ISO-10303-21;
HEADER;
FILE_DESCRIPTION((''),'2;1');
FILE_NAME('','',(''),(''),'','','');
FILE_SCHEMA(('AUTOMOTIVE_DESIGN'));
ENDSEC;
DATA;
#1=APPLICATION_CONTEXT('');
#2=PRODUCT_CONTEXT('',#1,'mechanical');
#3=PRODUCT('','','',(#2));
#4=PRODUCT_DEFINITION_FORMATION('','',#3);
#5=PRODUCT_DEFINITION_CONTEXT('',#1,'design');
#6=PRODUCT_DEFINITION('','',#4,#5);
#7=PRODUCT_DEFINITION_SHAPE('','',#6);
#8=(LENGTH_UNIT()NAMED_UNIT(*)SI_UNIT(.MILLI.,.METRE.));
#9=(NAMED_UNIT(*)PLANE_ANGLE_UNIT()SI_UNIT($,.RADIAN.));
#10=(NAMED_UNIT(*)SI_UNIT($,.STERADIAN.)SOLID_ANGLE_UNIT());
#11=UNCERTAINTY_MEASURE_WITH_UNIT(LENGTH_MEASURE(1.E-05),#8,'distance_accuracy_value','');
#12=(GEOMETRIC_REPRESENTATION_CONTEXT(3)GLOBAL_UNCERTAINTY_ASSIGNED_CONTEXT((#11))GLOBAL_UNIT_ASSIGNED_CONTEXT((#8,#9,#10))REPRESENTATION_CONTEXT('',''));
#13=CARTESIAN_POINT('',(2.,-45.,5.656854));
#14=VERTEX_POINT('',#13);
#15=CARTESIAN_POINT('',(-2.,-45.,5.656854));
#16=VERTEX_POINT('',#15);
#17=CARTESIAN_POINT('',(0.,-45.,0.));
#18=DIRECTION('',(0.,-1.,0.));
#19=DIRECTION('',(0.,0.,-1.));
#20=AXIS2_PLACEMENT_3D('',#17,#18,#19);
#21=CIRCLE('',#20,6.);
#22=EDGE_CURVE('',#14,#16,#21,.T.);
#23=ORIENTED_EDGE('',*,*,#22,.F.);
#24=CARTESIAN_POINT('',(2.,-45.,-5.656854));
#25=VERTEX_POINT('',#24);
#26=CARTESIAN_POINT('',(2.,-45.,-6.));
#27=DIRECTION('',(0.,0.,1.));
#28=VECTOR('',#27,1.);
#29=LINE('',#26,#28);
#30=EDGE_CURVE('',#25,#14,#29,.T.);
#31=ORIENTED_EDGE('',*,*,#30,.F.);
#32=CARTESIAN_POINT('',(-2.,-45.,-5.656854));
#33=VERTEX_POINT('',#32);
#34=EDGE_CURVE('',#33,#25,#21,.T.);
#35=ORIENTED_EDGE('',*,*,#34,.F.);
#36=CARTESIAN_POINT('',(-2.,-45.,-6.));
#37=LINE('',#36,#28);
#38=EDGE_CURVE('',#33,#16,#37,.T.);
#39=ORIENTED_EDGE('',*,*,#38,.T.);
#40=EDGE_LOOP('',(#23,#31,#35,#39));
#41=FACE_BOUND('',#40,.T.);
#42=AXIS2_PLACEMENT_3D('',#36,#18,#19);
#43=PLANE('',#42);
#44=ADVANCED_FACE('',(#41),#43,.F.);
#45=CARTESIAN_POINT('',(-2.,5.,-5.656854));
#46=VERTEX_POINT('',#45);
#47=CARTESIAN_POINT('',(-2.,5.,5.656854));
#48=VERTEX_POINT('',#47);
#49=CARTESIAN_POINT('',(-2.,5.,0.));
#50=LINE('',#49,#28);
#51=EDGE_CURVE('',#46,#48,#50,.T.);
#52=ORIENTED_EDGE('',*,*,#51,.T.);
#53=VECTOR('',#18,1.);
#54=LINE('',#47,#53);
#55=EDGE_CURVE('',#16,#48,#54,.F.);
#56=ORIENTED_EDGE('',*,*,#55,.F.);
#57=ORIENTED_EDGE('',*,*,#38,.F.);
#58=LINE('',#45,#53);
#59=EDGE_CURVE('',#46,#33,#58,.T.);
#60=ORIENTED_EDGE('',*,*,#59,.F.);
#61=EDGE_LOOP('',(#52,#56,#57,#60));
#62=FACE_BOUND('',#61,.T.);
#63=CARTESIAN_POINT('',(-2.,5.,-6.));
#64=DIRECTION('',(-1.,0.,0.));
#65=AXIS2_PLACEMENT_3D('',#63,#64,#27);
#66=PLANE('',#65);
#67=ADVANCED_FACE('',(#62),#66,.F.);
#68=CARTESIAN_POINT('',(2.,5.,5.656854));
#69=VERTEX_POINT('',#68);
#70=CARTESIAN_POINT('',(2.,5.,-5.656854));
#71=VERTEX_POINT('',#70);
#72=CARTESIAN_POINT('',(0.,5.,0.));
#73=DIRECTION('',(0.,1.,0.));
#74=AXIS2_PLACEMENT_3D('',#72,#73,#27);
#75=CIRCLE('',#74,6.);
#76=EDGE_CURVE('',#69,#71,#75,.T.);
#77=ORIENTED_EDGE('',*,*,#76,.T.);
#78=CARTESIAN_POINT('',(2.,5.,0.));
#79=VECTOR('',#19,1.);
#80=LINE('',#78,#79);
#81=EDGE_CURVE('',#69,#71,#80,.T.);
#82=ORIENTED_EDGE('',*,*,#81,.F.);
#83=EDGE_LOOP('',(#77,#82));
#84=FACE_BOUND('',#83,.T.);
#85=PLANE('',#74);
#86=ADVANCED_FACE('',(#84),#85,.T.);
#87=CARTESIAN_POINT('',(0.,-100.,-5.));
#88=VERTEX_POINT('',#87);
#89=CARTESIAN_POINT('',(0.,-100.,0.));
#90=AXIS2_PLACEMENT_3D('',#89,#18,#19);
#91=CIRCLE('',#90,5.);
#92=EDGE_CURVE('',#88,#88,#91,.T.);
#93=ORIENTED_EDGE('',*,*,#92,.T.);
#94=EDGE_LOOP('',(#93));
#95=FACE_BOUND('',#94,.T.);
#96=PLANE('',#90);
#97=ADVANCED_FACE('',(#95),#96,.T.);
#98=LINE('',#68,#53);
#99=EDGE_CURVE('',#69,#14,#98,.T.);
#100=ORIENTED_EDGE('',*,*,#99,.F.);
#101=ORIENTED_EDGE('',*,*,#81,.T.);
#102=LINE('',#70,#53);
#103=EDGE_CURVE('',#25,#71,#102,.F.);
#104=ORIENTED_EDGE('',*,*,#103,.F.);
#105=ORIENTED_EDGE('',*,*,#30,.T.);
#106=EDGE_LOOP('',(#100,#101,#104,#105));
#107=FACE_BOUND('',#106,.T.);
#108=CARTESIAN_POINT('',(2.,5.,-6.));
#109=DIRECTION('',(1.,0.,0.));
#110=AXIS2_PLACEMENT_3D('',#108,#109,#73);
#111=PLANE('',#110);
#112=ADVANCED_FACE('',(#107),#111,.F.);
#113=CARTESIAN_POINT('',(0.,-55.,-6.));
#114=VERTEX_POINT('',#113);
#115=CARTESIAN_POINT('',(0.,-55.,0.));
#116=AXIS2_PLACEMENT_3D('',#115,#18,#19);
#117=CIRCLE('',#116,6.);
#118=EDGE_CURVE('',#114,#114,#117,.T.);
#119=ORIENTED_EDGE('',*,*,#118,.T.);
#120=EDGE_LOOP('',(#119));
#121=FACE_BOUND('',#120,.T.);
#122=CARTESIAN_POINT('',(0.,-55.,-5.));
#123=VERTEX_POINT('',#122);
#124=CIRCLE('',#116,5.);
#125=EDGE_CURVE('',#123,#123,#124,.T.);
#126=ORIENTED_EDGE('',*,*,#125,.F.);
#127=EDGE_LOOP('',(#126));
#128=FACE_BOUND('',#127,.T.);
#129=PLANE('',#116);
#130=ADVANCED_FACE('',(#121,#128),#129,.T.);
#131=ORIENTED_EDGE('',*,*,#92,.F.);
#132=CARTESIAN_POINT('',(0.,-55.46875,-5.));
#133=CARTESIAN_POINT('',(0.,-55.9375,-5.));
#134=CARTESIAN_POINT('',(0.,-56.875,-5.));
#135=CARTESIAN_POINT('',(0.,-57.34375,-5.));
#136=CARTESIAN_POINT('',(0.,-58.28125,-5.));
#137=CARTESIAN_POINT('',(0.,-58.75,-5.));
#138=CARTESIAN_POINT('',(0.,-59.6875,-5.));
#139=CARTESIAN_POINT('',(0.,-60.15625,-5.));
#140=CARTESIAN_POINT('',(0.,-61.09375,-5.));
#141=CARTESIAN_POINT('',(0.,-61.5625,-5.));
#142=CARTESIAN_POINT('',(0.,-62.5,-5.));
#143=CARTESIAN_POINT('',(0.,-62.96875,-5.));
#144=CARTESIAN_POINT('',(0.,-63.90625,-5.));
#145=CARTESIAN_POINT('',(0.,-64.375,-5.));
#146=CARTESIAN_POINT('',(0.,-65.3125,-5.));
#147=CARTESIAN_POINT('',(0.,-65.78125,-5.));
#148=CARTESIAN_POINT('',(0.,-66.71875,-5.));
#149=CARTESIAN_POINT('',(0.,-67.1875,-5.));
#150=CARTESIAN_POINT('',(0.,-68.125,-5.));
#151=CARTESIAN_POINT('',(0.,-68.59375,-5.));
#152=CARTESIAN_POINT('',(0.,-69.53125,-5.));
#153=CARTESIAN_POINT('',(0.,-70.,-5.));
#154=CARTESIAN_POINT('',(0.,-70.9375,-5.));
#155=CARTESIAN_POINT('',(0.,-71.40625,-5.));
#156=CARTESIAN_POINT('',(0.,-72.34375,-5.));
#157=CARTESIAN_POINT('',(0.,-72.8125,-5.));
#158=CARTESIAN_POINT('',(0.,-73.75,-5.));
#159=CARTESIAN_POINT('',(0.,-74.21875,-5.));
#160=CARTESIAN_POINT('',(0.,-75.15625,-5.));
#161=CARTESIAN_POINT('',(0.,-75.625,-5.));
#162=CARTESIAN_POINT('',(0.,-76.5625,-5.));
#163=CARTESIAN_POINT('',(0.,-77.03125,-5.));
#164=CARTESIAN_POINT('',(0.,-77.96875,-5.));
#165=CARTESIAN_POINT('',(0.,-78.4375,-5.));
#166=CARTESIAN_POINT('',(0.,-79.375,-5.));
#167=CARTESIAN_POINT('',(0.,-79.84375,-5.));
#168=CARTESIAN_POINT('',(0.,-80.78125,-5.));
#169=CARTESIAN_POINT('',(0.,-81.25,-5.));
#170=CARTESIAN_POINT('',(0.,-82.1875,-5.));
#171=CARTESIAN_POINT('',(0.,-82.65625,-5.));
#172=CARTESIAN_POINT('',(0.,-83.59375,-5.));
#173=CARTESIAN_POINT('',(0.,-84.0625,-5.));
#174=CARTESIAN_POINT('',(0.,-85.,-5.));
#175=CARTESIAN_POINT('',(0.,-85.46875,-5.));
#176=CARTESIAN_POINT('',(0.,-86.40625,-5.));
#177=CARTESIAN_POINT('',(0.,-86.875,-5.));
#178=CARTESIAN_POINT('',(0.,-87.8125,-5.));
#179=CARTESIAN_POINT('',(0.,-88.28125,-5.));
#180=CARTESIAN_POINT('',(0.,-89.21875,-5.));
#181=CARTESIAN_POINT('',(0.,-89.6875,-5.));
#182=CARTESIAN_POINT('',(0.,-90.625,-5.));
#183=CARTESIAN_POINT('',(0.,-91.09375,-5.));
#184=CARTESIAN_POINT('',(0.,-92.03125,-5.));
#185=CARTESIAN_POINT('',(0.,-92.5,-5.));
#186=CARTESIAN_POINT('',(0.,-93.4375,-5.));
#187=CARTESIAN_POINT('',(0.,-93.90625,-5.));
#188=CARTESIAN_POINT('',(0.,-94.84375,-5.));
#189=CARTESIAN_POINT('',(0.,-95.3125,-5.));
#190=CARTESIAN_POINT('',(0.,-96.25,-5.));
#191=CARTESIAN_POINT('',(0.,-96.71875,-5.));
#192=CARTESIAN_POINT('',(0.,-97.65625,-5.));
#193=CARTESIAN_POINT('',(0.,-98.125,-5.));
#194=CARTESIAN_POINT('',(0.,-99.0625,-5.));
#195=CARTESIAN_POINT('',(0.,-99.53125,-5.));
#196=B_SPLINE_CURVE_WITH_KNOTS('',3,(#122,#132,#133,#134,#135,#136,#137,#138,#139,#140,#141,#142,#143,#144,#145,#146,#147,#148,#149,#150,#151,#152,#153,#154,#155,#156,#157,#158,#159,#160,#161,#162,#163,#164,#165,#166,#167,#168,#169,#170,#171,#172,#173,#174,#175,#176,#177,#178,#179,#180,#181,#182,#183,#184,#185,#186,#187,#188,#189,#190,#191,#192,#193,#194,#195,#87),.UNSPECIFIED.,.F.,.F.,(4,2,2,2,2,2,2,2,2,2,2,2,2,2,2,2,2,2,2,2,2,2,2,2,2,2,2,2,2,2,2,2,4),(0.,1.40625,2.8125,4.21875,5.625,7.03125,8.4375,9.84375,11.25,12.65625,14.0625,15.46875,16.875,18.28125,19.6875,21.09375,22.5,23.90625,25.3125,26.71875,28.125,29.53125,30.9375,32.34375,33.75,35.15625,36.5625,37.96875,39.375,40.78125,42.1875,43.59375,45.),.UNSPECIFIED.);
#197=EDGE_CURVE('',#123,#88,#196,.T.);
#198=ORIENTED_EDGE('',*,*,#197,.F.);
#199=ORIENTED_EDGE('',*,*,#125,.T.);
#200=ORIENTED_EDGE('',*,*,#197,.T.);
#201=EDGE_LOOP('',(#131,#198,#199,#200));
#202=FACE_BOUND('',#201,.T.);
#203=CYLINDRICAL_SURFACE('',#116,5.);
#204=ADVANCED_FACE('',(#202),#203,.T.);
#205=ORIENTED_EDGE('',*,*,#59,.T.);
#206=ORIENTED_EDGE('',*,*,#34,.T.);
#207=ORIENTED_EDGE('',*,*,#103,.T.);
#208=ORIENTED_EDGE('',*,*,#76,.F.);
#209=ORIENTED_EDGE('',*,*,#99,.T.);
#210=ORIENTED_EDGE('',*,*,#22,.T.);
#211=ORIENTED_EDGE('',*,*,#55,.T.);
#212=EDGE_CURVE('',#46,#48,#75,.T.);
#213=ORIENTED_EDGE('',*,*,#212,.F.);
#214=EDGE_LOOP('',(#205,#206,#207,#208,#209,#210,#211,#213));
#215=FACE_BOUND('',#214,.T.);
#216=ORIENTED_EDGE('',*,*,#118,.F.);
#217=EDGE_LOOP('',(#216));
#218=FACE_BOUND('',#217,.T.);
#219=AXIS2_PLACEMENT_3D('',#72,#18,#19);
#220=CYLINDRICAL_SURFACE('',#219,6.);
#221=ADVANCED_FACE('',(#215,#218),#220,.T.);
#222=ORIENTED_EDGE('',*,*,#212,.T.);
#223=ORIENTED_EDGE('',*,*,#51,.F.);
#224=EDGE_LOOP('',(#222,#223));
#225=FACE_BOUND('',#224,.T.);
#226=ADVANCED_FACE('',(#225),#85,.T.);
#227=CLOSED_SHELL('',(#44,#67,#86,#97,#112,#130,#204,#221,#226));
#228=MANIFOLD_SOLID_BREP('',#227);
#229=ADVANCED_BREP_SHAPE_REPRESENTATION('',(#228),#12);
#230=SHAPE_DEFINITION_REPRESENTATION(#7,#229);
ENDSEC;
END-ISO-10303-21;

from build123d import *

# Parameters (mm, degrees)
SKETCH1_R               = 6
BOSS_EXTRUDE1_DEPTH     = 5
BOSS_EXTRUDE2_START     = 100
SKETCH2_R               = 6
BOSS_EXTRUDE2_DEPTH     = 100
CUT_EXTRUDE1_DEPTH      = 101.359354322
CUT_EXTRUDE1_DEPTH_BACK = 101.359354322
SKETCH3_W               = 4
SKETCH3_H               = 50
SKETCH4_R               = 6
SKETCH4_R_2             = 5
CUT_EXTRUDE2_DEPTH      = 45


with BuildPart() as part:
    # Sketch1 → Boss-Extrude1 (new body)
    with BuildSketch(Plane(origin=(0, 0, 0), x_dir=(1, 0, 0), z_dir=(0, 1, 0))):
        with Locations(Location((0, 0, 0), (0, 0, 270))):
            Circle(SKETCH1_R)
    extrude(amount=BOSS_EXTRUDE1_DEPTH)

    # Sketch2 → Boss-Extrude2 (add)
    with BuildSketch(Plane.XZ.offset(BOSS_EXTRUDE2_START)):
        with Locations(Location((0, 0, 0), (0, 0, 270))):
            Circle(SKETCH2_R)
    extrude(amount=-BOSS_EXTRUDE2_DEPTH)

    # Sketch3 → Cut-Extrude1 (cut, two sides: drawn at the far end of the back side and taken through both)
    with BuildSketch(Plane.XY.offset(-CUT_EXTRUDE1_DEPTH_BACK)):
        with Locations((0, -20)):
            Rectangle(SKETCH3_W, SKETCH3_H)
    extrude(amount=CUT_EXTRUDE1_DEPTH + CUT_EXTRUDE1_DEPTH_BACK, mode=Mode.SUBTRACT)

    # Sketch4 → Cut-Extrude2 (cut)
    with BuildSketch(Plane.XZ.offset(100)):
        with Locations(Location((0, 0, 0), (0, 0, 270))):
            Circle(SKETCH4_R)
        with Locations(Location((0, 0, 0), (0, 0, 270))):
            Circle(SKETCH4_R_2, mode=Mode.SUBTRACT)
    extrude(amount=-CUT_EXTRUDE2_DEPTH, mode=Mode.SUBTRACT)


solid = part.part
